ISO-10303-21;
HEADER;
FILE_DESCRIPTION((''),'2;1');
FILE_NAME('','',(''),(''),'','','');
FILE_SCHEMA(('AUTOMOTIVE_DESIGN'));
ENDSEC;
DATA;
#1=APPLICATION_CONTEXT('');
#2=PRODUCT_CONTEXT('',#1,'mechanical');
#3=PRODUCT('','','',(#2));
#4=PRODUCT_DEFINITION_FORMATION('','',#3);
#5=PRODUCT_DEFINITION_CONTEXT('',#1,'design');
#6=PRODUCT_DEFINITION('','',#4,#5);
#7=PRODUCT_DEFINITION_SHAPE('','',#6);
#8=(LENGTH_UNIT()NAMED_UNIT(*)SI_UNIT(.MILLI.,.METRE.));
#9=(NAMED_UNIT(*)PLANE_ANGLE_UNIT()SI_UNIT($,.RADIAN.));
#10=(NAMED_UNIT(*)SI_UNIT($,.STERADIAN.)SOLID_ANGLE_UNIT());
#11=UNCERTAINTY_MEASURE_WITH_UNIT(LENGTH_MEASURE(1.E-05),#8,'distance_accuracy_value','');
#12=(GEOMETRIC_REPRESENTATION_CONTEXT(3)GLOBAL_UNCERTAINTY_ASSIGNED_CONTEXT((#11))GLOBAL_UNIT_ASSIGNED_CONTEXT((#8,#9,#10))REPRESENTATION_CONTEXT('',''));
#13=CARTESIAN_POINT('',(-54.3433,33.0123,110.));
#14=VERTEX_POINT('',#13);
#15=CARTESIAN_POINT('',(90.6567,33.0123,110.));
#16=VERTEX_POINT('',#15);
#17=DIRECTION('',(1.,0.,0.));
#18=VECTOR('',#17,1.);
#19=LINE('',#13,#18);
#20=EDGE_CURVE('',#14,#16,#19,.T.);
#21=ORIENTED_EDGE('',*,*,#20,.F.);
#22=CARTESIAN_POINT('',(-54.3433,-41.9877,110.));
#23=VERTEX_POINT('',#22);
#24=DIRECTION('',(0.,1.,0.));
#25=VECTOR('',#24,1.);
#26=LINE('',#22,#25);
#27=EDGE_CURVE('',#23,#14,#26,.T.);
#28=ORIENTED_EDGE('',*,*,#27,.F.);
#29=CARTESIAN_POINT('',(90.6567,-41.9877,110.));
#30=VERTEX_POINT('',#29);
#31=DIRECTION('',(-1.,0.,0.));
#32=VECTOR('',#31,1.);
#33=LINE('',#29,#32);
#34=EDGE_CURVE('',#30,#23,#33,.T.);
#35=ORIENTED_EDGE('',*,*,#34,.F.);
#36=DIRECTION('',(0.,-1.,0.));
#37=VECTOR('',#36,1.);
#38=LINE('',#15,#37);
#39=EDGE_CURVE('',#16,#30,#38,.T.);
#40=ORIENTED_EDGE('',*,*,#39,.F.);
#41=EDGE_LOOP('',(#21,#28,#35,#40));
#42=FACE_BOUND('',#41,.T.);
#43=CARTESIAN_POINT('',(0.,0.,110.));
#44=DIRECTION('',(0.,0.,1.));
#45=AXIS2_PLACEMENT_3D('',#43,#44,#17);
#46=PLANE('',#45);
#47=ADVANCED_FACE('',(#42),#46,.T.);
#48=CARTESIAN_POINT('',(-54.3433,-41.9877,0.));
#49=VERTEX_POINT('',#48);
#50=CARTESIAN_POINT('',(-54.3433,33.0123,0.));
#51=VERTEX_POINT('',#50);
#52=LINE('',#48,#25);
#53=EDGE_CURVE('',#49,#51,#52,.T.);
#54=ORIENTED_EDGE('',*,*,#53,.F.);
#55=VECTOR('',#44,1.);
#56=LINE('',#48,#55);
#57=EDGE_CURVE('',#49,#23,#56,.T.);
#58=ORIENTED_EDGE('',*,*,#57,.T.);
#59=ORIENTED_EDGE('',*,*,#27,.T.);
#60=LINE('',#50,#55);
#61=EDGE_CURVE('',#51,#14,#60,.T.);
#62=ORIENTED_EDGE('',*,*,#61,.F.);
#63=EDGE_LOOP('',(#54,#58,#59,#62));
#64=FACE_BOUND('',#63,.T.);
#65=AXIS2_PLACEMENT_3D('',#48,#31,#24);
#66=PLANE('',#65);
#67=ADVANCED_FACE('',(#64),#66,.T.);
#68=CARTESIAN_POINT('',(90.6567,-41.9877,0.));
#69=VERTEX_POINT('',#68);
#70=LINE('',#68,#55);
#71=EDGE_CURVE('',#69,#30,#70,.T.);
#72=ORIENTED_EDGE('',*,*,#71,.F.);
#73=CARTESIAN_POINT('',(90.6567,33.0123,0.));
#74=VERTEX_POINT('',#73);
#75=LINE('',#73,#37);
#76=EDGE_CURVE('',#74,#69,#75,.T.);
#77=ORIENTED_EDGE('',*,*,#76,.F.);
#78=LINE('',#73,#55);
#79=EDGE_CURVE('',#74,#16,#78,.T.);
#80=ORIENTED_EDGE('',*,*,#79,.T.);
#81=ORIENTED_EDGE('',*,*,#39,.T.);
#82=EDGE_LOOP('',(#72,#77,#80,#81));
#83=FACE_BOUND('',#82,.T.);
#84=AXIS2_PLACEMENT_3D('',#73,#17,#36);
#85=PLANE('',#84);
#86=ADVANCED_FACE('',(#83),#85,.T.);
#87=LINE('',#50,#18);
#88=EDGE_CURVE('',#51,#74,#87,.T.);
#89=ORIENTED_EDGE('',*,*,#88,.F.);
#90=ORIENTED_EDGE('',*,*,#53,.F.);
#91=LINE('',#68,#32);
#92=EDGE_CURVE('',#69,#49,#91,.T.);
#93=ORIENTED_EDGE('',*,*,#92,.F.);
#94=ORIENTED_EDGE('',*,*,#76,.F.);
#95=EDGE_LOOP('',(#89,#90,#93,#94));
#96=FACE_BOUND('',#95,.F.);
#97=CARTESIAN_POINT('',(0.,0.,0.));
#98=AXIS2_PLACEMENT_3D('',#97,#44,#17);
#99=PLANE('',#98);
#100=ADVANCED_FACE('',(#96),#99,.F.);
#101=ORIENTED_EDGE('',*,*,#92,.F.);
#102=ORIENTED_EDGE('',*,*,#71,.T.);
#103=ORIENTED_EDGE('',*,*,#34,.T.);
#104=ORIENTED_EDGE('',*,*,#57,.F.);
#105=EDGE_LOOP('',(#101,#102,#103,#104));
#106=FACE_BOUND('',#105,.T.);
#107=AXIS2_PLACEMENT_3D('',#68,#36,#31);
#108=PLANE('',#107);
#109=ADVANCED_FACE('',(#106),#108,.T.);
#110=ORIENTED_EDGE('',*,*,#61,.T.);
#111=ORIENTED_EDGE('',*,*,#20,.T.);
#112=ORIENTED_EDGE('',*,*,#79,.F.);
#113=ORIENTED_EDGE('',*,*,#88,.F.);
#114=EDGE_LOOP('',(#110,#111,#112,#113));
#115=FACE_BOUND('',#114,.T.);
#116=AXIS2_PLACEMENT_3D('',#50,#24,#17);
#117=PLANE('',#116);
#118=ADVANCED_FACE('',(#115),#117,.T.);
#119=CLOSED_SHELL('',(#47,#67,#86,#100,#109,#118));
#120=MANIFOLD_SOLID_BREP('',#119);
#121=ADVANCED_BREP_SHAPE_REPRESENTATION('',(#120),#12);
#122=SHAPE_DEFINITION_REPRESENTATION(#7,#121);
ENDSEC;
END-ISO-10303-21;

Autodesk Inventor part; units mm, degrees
ref_plane "YZ Plane" through (0, 0, 0) normal (1, 0, 0) x (0, 1, 0)
ref_plane "XZ Plane" through (0, 0, 0) normal (0, 1, 0) x (-1, 0, 0)
ref_plane "XY Plane" through (0, 0, 0) normal (0, 0, 1) x (1, 0, 0)
sketch "Sketch1" plane through (0, 0, 0) normal (0, 0, 1) x (1, 0, 0)
  line L0 (-54.3433, 33.0123) -> (90.6567, 33.0123)
  line L1 (90.6567, 33.0123) -> (90.6567, -41.9877)
  line L2 (90.6567, -41.9877) -> (-54.3433, -41.9877)
  line L3 (-54.3433, -41.9877) -> (-54.3433, 33.0123)
  point P0 (0, 0)
  dimension "d0" = 145
  dimension "d1" = 75
extrude "Extrusion1" add sketch "Sketch1" along normal blind 110
properties part number "Battery"
